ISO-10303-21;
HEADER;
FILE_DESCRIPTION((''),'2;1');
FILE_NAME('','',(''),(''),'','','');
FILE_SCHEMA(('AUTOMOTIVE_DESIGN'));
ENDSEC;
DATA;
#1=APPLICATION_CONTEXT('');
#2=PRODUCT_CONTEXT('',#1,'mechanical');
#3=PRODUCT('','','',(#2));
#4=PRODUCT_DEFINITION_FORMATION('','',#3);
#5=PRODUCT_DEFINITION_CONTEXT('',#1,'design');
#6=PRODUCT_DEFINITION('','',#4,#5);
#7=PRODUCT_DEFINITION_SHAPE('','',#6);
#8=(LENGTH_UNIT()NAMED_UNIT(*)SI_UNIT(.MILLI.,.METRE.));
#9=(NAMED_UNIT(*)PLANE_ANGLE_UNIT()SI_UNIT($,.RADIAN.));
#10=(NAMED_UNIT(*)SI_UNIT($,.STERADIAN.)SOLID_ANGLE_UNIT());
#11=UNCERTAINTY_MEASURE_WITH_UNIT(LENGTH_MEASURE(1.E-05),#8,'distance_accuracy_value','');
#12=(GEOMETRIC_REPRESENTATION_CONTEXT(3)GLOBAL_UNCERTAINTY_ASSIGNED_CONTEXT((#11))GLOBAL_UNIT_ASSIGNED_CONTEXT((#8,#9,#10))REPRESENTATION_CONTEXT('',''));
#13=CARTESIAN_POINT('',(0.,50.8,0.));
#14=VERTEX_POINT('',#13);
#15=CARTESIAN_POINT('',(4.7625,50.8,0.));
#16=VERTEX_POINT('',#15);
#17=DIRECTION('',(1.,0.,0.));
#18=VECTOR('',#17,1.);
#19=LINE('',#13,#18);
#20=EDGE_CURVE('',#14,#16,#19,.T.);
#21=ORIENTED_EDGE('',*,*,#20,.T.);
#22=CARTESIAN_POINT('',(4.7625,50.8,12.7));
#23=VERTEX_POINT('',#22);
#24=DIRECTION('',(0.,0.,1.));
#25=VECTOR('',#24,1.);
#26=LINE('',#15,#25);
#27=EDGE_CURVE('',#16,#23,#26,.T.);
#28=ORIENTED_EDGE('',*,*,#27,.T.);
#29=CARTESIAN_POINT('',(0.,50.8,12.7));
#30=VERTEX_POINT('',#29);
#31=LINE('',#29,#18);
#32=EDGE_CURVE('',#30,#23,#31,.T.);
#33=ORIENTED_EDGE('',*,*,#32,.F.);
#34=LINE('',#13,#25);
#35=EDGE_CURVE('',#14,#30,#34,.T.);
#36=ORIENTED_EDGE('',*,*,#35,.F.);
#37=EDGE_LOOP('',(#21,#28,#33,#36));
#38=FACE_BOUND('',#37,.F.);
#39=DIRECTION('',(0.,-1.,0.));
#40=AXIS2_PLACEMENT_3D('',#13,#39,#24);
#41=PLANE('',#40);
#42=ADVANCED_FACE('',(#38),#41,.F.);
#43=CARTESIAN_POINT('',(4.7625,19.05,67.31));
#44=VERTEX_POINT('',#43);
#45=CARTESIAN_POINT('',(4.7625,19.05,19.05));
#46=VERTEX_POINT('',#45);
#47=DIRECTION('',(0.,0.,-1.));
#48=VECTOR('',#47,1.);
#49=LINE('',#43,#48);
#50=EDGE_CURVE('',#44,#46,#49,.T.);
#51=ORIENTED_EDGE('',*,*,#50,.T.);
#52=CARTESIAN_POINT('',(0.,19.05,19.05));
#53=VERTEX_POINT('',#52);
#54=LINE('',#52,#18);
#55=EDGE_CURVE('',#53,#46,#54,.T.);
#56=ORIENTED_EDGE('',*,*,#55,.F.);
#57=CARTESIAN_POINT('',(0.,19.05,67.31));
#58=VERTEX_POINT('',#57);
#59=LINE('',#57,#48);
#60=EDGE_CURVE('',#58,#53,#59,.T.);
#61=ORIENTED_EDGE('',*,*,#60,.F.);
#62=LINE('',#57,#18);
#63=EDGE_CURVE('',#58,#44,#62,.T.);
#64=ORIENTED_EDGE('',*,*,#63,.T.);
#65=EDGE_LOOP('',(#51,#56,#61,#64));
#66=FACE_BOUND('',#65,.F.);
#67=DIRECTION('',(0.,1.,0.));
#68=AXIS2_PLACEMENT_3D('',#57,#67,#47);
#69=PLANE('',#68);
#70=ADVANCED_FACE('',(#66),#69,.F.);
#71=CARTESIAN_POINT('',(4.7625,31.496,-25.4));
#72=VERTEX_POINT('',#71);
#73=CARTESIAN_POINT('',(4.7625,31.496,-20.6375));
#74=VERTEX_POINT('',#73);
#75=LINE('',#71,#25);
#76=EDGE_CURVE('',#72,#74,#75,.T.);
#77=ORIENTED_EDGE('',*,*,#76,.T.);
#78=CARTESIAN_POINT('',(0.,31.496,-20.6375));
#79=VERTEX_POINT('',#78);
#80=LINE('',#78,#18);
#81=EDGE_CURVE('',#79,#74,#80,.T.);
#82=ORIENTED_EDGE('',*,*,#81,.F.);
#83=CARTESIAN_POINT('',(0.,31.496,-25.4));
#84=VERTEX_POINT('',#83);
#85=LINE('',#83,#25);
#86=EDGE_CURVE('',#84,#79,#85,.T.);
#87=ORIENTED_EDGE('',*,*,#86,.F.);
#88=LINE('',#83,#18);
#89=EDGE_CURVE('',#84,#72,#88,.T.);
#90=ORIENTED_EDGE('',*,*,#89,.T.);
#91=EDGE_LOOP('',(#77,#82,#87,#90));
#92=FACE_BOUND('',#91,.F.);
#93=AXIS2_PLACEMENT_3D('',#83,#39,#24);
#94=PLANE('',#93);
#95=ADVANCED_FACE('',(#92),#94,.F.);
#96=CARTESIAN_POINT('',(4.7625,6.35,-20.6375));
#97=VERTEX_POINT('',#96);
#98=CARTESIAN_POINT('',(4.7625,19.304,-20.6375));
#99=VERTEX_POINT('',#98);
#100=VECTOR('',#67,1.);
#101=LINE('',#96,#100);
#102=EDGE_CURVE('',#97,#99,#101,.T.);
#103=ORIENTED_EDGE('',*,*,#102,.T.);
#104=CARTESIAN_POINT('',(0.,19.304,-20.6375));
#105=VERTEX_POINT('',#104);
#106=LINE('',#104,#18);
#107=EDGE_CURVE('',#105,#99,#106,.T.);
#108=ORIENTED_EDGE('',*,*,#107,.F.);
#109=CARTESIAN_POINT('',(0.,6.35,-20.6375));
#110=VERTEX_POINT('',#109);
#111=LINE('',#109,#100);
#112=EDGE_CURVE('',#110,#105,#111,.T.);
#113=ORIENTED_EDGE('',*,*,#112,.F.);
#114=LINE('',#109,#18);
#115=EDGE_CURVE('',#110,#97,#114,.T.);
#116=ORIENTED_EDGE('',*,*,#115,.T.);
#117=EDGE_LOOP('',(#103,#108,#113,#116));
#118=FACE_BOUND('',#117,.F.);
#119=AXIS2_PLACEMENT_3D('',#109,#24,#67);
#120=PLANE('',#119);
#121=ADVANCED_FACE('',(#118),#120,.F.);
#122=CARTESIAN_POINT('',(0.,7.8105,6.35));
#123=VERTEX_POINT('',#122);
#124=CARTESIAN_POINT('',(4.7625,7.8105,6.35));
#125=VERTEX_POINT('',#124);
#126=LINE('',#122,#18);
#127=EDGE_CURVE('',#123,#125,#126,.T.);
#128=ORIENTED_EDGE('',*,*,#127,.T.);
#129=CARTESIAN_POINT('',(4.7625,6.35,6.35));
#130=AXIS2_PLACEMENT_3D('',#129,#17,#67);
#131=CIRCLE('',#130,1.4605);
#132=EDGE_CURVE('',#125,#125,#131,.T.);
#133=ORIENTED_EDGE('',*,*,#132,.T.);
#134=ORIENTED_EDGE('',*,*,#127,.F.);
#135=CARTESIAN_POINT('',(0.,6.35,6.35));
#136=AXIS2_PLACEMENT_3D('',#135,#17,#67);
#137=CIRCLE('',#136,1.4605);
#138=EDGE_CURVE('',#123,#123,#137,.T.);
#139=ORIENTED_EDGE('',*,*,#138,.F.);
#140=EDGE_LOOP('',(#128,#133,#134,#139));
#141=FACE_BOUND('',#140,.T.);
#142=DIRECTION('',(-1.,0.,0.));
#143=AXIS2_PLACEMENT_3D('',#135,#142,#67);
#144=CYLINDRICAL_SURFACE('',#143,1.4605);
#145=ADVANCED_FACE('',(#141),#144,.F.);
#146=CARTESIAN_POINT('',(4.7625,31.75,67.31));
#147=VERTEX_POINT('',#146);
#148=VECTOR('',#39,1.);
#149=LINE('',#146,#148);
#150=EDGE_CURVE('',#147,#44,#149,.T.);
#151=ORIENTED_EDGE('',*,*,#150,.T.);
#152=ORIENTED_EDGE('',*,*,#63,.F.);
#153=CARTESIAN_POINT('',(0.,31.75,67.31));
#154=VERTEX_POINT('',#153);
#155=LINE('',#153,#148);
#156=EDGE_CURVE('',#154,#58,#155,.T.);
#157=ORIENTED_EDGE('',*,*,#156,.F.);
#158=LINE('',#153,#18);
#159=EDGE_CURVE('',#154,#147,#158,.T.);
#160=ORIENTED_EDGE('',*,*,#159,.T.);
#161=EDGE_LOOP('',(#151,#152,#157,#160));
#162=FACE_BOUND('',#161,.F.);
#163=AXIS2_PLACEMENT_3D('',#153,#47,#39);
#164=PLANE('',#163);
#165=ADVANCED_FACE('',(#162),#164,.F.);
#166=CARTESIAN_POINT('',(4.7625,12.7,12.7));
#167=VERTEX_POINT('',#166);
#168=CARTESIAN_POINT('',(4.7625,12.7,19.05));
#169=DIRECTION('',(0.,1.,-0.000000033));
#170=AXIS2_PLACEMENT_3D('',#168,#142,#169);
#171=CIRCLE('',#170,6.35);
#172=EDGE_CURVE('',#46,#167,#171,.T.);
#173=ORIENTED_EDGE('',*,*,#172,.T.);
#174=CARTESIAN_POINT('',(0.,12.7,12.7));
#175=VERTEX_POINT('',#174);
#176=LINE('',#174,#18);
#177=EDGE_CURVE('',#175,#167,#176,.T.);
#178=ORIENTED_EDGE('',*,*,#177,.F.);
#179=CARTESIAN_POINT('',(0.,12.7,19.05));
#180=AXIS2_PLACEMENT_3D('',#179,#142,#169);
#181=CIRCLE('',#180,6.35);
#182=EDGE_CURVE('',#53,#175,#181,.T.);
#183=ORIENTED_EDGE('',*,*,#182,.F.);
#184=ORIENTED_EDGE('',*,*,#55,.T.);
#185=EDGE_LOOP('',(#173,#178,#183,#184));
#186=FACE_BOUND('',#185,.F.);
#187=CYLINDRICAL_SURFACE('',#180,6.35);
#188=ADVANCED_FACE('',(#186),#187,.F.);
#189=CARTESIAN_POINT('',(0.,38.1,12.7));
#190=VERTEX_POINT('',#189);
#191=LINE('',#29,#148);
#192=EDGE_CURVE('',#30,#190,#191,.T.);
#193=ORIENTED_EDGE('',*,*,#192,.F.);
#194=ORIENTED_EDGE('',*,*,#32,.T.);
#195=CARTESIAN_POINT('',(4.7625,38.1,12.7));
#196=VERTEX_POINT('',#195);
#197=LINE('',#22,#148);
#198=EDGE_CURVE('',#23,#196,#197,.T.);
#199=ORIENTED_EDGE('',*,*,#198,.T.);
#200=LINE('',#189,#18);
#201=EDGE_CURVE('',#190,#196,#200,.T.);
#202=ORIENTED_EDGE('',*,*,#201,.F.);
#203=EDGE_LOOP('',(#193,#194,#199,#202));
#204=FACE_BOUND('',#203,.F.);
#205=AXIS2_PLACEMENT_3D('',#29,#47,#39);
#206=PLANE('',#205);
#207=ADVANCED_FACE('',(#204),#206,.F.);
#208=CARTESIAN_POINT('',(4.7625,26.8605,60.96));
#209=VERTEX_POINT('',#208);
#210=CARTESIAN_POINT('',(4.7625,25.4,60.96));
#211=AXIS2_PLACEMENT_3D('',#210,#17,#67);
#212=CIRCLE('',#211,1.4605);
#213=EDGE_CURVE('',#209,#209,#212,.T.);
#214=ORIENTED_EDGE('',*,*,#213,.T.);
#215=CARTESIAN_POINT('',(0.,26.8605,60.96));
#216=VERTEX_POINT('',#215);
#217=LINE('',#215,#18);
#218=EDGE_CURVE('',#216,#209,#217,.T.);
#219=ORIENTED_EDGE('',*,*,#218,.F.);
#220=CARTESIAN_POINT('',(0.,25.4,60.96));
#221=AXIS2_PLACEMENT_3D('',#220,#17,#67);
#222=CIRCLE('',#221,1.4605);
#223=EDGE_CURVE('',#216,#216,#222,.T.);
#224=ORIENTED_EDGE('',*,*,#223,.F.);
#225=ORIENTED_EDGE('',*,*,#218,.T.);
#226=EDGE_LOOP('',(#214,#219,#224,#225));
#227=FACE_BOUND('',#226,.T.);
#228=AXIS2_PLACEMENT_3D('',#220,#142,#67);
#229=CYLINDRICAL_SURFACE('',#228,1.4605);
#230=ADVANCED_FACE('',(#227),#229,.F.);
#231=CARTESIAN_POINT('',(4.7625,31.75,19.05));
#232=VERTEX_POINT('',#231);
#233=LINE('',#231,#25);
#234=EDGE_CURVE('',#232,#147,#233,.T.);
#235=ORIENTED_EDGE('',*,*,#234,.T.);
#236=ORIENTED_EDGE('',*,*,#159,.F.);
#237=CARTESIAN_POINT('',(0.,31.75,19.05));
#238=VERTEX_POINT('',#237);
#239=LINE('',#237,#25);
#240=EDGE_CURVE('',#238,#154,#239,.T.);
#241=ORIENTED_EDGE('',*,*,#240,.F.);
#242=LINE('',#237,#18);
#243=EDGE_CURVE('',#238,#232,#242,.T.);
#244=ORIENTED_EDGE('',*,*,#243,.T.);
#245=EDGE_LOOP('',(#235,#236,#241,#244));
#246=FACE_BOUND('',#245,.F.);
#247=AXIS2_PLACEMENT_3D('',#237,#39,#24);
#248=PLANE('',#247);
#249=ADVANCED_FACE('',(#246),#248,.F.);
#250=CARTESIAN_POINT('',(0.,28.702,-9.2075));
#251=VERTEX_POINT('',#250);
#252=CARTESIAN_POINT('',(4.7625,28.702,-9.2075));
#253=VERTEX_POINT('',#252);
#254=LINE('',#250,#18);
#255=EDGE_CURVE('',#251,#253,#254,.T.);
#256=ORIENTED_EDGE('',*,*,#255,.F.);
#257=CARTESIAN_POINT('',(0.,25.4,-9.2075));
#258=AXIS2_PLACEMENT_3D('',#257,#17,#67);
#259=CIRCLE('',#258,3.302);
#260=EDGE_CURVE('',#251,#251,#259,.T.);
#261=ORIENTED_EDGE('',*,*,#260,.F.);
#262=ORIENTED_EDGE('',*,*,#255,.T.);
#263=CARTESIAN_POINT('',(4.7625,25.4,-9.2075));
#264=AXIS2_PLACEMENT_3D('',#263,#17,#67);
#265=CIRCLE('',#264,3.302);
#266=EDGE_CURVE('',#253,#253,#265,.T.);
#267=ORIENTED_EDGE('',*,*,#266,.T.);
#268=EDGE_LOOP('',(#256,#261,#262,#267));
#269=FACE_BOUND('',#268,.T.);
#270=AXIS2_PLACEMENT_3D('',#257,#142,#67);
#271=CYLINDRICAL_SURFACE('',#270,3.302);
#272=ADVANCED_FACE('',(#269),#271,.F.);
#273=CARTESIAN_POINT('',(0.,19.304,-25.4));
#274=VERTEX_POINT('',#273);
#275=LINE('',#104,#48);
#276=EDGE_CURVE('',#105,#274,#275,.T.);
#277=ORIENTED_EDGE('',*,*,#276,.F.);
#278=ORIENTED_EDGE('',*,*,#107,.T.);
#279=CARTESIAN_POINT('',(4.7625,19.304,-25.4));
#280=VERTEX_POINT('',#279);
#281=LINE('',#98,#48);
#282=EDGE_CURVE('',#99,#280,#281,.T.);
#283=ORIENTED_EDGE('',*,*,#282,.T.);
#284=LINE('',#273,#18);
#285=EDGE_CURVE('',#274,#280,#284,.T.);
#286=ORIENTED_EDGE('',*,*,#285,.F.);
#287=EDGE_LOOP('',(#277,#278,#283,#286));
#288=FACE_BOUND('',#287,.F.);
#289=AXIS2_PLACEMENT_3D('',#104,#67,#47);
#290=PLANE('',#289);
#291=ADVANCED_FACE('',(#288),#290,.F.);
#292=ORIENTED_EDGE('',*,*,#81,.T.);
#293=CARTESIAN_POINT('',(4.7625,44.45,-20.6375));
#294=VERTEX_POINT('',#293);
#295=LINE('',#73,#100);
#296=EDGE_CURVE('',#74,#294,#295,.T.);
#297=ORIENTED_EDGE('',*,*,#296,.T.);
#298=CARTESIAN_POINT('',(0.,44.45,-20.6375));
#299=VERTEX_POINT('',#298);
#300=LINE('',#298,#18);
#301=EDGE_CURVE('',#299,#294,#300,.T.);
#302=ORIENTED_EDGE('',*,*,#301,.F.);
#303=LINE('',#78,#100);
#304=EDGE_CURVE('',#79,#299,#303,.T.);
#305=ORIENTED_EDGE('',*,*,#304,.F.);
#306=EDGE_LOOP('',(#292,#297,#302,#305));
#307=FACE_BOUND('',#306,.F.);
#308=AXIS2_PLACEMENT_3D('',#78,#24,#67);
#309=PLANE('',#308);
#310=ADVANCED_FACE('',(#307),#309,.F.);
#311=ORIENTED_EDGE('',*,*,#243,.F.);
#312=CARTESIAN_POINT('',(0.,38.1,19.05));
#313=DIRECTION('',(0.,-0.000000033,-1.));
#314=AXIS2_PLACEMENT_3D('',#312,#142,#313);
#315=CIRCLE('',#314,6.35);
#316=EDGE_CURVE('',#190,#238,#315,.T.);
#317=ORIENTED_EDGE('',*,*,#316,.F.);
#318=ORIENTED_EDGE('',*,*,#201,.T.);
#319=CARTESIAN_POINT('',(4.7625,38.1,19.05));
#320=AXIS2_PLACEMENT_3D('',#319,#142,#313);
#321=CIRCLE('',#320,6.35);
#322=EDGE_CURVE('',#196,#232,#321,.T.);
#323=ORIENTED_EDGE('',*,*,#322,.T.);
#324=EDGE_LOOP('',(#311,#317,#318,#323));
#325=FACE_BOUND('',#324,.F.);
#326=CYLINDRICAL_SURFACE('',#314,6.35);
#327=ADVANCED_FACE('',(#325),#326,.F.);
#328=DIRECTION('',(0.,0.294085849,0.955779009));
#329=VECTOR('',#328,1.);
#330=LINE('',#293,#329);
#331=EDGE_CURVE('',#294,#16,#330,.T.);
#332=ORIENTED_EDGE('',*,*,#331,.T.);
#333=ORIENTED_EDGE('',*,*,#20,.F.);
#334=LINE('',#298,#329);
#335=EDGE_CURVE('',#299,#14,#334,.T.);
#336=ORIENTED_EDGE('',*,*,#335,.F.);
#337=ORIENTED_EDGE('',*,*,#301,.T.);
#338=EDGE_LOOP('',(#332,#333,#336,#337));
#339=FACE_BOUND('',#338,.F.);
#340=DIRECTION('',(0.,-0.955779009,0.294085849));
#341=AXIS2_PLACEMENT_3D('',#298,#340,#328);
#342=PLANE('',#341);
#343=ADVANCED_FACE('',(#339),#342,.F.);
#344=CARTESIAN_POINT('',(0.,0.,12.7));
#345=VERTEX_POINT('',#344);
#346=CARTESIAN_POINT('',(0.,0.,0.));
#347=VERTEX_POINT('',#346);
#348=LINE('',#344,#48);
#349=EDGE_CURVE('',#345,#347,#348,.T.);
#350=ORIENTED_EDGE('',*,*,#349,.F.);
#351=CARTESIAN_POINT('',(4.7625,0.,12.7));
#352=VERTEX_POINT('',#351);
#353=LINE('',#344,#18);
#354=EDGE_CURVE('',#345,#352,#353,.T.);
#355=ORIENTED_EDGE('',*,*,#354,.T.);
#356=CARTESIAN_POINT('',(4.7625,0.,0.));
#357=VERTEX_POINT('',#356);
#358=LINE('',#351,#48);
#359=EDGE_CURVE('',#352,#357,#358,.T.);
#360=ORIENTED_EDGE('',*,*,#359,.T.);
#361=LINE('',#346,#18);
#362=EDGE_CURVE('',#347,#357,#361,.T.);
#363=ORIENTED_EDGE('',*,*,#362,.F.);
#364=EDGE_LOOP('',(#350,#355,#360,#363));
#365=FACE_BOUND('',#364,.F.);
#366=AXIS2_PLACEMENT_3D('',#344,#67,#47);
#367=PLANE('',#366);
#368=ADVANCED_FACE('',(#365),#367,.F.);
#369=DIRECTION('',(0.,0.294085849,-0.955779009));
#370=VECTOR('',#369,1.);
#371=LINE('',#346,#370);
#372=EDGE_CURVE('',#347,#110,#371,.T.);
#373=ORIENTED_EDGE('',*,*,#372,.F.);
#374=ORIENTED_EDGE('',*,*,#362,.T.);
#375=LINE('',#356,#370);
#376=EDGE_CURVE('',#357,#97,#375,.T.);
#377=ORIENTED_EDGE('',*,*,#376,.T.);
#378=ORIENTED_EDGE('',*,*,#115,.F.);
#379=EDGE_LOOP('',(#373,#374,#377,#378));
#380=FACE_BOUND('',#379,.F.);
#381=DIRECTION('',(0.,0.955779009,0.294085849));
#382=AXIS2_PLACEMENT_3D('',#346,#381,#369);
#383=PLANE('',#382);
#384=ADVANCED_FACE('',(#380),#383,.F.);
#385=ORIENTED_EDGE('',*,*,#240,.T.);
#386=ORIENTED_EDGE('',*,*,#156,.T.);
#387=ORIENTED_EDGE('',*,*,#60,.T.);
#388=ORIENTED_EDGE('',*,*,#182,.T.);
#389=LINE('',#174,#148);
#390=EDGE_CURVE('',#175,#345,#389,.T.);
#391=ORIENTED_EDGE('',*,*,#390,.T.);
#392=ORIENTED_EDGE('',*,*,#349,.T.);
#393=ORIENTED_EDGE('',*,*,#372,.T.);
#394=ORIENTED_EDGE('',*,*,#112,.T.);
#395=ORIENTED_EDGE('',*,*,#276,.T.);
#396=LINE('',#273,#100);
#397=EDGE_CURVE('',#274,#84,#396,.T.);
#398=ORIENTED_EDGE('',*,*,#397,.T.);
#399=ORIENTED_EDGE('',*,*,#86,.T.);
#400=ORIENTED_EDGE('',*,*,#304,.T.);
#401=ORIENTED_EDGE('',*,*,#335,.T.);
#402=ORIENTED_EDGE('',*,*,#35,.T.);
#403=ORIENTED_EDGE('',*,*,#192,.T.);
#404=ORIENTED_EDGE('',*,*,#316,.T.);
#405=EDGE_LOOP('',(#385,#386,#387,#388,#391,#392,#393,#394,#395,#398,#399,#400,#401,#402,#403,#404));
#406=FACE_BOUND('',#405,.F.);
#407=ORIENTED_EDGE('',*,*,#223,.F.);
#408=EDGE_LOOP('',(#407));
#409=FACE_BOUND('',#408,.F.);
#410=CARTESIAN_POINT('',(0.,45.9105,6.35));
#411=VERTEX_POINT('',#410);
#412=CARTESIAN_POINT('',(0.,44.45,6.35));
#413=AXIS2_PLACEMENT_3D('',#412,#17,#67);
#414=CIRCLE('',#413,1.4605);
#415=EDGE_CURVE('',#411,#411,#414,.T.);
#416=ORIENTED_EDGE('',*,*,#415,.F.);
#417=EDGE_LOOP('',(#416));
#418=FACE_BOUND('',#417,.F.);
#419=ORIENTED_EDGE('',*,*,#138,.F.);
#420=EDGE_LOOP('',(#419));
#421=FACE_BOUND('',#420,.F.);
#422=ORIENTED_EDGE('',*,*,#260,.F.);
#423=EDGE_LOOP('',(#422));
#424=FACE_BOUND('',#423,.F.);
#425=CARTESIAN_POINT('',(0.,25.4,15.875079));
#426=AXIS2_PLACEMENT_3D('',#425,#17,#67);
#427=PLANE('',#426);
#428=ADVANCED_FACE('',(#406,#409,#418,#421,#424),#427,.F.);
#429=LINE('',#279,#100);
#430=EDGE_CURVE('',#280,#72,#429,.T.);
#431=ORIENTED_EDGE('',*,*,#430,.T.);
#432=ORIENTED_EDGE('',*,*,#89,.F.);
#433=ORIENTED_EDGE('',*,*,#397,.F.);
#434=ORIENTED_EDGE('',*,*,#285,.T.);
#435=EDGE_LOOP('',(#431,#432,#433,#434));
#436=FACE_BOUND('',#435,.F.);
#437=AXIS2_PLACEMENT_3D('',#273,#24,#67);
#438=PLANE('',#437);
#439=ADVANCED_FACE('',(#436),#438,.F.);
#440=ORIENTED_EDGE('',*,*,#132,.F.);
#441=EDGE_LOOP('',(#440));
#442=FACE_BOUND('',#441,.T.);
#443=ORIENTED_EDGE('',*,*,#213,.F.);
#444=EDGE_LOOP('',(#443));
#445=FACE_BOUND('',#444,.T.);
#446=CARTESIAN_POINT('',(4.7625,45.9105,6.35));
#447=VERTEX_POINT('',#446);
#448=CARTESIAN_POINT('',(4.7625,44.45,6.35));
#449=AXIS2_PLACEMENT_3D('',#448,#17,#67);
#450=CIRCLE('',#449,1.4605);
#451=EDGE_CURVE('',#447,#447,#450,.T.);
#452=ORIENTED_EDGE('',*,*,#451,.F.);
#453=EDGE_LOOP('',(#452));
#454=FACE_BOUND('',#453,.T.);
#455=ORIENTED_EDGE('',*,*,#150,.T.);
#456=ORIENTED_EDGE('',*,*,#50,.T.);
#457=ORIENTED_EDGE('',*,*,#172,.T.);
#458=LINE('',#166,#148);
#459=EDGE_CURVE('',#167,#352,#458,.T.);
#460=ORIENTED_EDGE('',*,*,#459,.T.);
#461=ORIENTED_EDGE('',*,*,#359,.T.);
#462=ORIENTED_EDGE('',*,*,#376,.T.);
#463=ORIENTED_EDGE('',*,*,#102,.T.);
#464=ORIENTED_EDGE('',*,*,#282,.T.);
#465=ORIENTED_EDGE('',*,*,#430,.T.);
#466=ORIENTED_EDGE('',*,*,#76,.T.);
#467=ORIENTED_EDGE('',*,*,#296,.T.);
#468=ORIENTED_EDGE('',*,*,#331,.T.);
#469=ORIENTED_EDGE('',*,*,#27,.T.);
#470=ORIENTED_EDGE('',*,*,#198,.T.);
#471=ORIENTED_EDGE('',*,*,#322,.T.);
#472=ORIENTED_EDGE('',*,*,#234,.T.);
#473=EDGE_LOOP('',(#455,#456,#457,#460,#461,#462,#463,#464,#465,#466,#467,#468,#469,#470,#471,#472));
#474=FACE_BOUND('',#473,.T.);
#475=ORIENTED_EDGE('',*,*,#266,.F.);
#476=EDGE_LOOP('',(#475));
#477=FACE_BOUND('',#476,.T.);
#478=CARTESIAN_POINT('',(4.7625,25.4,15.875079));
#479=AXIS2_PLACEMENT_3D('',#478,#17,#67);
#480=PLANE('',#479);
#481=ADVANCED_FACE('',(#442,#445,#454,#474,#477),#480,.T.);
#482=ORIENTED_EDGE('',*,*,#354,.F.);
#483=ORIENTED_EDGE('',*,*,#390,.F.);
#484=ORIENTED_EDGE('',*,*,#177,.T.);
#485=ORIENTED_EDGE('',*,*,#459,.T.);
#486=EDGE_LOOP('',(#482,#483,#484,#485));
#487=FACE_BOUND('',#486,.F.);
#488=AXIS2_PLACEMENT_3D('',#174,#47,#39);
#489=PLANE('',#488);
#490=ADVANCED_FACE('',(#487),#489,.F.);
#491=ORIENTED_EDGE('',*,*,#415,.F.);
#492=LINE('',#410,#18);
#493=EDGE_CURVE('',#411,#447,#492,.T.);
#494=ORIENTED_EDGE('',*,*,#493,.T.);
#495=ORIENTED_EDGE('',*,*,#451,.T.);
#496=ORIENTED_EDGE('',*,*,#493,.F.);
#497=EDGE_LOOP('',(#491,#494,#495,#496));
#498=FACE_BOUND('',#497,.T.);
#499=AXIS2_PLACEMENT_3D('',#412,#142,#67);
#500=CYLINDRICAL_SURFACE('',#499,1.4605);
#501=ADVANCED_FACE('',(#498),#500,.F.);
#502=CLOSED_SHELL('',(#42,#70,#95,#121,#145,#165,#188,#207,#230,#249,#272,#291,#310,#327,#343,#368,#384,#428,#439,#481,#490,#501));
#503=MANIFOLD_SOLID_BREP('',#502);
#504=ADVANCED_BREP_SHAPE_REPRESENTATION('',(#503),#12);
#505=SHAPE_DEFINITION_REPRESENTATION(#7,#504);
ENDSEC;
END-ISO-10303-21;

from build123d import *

# Parameters (mm, degrees)
F0_R     = 3.302
F0_R_2   = 1.4605
F1_DEPTH = 4.7625


with BuildPart() as f1:
    # F0 (on Right) → F1 (new body)
    with BuildSketch(Plane.YZ):
        with BuildLine():
            Line((12.7, 12.7), (0, 12.7))
            Line((0, 12.7), (0, 0))
            Line((0, 0), (6.35, -20.6375))
            Line((6.35, -20.6375), (19.304, -20.6375))
            Line((19.304, -20.6375), (19.304, -25.4))
            Line((19.304, -25.4), (31.496, -25.4))
            Line((31.496, -25.4), (31.496, -20.6375))
            Line((31.496, -20.6375), (44.45, -20.6375))
            Line((44.45, -20.6375), (50.8, 0))
            Line((50.8, 0), (50.8, 12.7))
            Line((50.8, 12.7), (38.1, 12.7))
            ThreePointArc((38.1, 12.7), (33.609872, 14.559872), (31.75, 19.05))
            Line((31.75, 19.05), (31.75, 67.31))
            Line((31.75, 67.31), (19.05, 67.31))
            Line((19.05, 67.31), (19.05, 19.05))
            ThreePointArc((19.05, 19.05), (17.190128, 14.559872), (12.7, 12.7))
        make_face()
        with Locations((25.4, -9.2075)):
            Circle(F0_R, mode=Mode.SUBTRACT)
        with Locations((6.35, 6.35)):
            Circle(F0_R_2, mode=Mode.SUBTRACT)
        with Locations((44.45, 6.35)):
            Circle(F0_R_2, mode=Mode.SUBTRACT)
        with Locations((25.4, 60.96)):
            Circle(F0_R_2, mode=Mode.SUBTRACT)
    extrude(amount=F1_DEPTH)


solid = f1.part
